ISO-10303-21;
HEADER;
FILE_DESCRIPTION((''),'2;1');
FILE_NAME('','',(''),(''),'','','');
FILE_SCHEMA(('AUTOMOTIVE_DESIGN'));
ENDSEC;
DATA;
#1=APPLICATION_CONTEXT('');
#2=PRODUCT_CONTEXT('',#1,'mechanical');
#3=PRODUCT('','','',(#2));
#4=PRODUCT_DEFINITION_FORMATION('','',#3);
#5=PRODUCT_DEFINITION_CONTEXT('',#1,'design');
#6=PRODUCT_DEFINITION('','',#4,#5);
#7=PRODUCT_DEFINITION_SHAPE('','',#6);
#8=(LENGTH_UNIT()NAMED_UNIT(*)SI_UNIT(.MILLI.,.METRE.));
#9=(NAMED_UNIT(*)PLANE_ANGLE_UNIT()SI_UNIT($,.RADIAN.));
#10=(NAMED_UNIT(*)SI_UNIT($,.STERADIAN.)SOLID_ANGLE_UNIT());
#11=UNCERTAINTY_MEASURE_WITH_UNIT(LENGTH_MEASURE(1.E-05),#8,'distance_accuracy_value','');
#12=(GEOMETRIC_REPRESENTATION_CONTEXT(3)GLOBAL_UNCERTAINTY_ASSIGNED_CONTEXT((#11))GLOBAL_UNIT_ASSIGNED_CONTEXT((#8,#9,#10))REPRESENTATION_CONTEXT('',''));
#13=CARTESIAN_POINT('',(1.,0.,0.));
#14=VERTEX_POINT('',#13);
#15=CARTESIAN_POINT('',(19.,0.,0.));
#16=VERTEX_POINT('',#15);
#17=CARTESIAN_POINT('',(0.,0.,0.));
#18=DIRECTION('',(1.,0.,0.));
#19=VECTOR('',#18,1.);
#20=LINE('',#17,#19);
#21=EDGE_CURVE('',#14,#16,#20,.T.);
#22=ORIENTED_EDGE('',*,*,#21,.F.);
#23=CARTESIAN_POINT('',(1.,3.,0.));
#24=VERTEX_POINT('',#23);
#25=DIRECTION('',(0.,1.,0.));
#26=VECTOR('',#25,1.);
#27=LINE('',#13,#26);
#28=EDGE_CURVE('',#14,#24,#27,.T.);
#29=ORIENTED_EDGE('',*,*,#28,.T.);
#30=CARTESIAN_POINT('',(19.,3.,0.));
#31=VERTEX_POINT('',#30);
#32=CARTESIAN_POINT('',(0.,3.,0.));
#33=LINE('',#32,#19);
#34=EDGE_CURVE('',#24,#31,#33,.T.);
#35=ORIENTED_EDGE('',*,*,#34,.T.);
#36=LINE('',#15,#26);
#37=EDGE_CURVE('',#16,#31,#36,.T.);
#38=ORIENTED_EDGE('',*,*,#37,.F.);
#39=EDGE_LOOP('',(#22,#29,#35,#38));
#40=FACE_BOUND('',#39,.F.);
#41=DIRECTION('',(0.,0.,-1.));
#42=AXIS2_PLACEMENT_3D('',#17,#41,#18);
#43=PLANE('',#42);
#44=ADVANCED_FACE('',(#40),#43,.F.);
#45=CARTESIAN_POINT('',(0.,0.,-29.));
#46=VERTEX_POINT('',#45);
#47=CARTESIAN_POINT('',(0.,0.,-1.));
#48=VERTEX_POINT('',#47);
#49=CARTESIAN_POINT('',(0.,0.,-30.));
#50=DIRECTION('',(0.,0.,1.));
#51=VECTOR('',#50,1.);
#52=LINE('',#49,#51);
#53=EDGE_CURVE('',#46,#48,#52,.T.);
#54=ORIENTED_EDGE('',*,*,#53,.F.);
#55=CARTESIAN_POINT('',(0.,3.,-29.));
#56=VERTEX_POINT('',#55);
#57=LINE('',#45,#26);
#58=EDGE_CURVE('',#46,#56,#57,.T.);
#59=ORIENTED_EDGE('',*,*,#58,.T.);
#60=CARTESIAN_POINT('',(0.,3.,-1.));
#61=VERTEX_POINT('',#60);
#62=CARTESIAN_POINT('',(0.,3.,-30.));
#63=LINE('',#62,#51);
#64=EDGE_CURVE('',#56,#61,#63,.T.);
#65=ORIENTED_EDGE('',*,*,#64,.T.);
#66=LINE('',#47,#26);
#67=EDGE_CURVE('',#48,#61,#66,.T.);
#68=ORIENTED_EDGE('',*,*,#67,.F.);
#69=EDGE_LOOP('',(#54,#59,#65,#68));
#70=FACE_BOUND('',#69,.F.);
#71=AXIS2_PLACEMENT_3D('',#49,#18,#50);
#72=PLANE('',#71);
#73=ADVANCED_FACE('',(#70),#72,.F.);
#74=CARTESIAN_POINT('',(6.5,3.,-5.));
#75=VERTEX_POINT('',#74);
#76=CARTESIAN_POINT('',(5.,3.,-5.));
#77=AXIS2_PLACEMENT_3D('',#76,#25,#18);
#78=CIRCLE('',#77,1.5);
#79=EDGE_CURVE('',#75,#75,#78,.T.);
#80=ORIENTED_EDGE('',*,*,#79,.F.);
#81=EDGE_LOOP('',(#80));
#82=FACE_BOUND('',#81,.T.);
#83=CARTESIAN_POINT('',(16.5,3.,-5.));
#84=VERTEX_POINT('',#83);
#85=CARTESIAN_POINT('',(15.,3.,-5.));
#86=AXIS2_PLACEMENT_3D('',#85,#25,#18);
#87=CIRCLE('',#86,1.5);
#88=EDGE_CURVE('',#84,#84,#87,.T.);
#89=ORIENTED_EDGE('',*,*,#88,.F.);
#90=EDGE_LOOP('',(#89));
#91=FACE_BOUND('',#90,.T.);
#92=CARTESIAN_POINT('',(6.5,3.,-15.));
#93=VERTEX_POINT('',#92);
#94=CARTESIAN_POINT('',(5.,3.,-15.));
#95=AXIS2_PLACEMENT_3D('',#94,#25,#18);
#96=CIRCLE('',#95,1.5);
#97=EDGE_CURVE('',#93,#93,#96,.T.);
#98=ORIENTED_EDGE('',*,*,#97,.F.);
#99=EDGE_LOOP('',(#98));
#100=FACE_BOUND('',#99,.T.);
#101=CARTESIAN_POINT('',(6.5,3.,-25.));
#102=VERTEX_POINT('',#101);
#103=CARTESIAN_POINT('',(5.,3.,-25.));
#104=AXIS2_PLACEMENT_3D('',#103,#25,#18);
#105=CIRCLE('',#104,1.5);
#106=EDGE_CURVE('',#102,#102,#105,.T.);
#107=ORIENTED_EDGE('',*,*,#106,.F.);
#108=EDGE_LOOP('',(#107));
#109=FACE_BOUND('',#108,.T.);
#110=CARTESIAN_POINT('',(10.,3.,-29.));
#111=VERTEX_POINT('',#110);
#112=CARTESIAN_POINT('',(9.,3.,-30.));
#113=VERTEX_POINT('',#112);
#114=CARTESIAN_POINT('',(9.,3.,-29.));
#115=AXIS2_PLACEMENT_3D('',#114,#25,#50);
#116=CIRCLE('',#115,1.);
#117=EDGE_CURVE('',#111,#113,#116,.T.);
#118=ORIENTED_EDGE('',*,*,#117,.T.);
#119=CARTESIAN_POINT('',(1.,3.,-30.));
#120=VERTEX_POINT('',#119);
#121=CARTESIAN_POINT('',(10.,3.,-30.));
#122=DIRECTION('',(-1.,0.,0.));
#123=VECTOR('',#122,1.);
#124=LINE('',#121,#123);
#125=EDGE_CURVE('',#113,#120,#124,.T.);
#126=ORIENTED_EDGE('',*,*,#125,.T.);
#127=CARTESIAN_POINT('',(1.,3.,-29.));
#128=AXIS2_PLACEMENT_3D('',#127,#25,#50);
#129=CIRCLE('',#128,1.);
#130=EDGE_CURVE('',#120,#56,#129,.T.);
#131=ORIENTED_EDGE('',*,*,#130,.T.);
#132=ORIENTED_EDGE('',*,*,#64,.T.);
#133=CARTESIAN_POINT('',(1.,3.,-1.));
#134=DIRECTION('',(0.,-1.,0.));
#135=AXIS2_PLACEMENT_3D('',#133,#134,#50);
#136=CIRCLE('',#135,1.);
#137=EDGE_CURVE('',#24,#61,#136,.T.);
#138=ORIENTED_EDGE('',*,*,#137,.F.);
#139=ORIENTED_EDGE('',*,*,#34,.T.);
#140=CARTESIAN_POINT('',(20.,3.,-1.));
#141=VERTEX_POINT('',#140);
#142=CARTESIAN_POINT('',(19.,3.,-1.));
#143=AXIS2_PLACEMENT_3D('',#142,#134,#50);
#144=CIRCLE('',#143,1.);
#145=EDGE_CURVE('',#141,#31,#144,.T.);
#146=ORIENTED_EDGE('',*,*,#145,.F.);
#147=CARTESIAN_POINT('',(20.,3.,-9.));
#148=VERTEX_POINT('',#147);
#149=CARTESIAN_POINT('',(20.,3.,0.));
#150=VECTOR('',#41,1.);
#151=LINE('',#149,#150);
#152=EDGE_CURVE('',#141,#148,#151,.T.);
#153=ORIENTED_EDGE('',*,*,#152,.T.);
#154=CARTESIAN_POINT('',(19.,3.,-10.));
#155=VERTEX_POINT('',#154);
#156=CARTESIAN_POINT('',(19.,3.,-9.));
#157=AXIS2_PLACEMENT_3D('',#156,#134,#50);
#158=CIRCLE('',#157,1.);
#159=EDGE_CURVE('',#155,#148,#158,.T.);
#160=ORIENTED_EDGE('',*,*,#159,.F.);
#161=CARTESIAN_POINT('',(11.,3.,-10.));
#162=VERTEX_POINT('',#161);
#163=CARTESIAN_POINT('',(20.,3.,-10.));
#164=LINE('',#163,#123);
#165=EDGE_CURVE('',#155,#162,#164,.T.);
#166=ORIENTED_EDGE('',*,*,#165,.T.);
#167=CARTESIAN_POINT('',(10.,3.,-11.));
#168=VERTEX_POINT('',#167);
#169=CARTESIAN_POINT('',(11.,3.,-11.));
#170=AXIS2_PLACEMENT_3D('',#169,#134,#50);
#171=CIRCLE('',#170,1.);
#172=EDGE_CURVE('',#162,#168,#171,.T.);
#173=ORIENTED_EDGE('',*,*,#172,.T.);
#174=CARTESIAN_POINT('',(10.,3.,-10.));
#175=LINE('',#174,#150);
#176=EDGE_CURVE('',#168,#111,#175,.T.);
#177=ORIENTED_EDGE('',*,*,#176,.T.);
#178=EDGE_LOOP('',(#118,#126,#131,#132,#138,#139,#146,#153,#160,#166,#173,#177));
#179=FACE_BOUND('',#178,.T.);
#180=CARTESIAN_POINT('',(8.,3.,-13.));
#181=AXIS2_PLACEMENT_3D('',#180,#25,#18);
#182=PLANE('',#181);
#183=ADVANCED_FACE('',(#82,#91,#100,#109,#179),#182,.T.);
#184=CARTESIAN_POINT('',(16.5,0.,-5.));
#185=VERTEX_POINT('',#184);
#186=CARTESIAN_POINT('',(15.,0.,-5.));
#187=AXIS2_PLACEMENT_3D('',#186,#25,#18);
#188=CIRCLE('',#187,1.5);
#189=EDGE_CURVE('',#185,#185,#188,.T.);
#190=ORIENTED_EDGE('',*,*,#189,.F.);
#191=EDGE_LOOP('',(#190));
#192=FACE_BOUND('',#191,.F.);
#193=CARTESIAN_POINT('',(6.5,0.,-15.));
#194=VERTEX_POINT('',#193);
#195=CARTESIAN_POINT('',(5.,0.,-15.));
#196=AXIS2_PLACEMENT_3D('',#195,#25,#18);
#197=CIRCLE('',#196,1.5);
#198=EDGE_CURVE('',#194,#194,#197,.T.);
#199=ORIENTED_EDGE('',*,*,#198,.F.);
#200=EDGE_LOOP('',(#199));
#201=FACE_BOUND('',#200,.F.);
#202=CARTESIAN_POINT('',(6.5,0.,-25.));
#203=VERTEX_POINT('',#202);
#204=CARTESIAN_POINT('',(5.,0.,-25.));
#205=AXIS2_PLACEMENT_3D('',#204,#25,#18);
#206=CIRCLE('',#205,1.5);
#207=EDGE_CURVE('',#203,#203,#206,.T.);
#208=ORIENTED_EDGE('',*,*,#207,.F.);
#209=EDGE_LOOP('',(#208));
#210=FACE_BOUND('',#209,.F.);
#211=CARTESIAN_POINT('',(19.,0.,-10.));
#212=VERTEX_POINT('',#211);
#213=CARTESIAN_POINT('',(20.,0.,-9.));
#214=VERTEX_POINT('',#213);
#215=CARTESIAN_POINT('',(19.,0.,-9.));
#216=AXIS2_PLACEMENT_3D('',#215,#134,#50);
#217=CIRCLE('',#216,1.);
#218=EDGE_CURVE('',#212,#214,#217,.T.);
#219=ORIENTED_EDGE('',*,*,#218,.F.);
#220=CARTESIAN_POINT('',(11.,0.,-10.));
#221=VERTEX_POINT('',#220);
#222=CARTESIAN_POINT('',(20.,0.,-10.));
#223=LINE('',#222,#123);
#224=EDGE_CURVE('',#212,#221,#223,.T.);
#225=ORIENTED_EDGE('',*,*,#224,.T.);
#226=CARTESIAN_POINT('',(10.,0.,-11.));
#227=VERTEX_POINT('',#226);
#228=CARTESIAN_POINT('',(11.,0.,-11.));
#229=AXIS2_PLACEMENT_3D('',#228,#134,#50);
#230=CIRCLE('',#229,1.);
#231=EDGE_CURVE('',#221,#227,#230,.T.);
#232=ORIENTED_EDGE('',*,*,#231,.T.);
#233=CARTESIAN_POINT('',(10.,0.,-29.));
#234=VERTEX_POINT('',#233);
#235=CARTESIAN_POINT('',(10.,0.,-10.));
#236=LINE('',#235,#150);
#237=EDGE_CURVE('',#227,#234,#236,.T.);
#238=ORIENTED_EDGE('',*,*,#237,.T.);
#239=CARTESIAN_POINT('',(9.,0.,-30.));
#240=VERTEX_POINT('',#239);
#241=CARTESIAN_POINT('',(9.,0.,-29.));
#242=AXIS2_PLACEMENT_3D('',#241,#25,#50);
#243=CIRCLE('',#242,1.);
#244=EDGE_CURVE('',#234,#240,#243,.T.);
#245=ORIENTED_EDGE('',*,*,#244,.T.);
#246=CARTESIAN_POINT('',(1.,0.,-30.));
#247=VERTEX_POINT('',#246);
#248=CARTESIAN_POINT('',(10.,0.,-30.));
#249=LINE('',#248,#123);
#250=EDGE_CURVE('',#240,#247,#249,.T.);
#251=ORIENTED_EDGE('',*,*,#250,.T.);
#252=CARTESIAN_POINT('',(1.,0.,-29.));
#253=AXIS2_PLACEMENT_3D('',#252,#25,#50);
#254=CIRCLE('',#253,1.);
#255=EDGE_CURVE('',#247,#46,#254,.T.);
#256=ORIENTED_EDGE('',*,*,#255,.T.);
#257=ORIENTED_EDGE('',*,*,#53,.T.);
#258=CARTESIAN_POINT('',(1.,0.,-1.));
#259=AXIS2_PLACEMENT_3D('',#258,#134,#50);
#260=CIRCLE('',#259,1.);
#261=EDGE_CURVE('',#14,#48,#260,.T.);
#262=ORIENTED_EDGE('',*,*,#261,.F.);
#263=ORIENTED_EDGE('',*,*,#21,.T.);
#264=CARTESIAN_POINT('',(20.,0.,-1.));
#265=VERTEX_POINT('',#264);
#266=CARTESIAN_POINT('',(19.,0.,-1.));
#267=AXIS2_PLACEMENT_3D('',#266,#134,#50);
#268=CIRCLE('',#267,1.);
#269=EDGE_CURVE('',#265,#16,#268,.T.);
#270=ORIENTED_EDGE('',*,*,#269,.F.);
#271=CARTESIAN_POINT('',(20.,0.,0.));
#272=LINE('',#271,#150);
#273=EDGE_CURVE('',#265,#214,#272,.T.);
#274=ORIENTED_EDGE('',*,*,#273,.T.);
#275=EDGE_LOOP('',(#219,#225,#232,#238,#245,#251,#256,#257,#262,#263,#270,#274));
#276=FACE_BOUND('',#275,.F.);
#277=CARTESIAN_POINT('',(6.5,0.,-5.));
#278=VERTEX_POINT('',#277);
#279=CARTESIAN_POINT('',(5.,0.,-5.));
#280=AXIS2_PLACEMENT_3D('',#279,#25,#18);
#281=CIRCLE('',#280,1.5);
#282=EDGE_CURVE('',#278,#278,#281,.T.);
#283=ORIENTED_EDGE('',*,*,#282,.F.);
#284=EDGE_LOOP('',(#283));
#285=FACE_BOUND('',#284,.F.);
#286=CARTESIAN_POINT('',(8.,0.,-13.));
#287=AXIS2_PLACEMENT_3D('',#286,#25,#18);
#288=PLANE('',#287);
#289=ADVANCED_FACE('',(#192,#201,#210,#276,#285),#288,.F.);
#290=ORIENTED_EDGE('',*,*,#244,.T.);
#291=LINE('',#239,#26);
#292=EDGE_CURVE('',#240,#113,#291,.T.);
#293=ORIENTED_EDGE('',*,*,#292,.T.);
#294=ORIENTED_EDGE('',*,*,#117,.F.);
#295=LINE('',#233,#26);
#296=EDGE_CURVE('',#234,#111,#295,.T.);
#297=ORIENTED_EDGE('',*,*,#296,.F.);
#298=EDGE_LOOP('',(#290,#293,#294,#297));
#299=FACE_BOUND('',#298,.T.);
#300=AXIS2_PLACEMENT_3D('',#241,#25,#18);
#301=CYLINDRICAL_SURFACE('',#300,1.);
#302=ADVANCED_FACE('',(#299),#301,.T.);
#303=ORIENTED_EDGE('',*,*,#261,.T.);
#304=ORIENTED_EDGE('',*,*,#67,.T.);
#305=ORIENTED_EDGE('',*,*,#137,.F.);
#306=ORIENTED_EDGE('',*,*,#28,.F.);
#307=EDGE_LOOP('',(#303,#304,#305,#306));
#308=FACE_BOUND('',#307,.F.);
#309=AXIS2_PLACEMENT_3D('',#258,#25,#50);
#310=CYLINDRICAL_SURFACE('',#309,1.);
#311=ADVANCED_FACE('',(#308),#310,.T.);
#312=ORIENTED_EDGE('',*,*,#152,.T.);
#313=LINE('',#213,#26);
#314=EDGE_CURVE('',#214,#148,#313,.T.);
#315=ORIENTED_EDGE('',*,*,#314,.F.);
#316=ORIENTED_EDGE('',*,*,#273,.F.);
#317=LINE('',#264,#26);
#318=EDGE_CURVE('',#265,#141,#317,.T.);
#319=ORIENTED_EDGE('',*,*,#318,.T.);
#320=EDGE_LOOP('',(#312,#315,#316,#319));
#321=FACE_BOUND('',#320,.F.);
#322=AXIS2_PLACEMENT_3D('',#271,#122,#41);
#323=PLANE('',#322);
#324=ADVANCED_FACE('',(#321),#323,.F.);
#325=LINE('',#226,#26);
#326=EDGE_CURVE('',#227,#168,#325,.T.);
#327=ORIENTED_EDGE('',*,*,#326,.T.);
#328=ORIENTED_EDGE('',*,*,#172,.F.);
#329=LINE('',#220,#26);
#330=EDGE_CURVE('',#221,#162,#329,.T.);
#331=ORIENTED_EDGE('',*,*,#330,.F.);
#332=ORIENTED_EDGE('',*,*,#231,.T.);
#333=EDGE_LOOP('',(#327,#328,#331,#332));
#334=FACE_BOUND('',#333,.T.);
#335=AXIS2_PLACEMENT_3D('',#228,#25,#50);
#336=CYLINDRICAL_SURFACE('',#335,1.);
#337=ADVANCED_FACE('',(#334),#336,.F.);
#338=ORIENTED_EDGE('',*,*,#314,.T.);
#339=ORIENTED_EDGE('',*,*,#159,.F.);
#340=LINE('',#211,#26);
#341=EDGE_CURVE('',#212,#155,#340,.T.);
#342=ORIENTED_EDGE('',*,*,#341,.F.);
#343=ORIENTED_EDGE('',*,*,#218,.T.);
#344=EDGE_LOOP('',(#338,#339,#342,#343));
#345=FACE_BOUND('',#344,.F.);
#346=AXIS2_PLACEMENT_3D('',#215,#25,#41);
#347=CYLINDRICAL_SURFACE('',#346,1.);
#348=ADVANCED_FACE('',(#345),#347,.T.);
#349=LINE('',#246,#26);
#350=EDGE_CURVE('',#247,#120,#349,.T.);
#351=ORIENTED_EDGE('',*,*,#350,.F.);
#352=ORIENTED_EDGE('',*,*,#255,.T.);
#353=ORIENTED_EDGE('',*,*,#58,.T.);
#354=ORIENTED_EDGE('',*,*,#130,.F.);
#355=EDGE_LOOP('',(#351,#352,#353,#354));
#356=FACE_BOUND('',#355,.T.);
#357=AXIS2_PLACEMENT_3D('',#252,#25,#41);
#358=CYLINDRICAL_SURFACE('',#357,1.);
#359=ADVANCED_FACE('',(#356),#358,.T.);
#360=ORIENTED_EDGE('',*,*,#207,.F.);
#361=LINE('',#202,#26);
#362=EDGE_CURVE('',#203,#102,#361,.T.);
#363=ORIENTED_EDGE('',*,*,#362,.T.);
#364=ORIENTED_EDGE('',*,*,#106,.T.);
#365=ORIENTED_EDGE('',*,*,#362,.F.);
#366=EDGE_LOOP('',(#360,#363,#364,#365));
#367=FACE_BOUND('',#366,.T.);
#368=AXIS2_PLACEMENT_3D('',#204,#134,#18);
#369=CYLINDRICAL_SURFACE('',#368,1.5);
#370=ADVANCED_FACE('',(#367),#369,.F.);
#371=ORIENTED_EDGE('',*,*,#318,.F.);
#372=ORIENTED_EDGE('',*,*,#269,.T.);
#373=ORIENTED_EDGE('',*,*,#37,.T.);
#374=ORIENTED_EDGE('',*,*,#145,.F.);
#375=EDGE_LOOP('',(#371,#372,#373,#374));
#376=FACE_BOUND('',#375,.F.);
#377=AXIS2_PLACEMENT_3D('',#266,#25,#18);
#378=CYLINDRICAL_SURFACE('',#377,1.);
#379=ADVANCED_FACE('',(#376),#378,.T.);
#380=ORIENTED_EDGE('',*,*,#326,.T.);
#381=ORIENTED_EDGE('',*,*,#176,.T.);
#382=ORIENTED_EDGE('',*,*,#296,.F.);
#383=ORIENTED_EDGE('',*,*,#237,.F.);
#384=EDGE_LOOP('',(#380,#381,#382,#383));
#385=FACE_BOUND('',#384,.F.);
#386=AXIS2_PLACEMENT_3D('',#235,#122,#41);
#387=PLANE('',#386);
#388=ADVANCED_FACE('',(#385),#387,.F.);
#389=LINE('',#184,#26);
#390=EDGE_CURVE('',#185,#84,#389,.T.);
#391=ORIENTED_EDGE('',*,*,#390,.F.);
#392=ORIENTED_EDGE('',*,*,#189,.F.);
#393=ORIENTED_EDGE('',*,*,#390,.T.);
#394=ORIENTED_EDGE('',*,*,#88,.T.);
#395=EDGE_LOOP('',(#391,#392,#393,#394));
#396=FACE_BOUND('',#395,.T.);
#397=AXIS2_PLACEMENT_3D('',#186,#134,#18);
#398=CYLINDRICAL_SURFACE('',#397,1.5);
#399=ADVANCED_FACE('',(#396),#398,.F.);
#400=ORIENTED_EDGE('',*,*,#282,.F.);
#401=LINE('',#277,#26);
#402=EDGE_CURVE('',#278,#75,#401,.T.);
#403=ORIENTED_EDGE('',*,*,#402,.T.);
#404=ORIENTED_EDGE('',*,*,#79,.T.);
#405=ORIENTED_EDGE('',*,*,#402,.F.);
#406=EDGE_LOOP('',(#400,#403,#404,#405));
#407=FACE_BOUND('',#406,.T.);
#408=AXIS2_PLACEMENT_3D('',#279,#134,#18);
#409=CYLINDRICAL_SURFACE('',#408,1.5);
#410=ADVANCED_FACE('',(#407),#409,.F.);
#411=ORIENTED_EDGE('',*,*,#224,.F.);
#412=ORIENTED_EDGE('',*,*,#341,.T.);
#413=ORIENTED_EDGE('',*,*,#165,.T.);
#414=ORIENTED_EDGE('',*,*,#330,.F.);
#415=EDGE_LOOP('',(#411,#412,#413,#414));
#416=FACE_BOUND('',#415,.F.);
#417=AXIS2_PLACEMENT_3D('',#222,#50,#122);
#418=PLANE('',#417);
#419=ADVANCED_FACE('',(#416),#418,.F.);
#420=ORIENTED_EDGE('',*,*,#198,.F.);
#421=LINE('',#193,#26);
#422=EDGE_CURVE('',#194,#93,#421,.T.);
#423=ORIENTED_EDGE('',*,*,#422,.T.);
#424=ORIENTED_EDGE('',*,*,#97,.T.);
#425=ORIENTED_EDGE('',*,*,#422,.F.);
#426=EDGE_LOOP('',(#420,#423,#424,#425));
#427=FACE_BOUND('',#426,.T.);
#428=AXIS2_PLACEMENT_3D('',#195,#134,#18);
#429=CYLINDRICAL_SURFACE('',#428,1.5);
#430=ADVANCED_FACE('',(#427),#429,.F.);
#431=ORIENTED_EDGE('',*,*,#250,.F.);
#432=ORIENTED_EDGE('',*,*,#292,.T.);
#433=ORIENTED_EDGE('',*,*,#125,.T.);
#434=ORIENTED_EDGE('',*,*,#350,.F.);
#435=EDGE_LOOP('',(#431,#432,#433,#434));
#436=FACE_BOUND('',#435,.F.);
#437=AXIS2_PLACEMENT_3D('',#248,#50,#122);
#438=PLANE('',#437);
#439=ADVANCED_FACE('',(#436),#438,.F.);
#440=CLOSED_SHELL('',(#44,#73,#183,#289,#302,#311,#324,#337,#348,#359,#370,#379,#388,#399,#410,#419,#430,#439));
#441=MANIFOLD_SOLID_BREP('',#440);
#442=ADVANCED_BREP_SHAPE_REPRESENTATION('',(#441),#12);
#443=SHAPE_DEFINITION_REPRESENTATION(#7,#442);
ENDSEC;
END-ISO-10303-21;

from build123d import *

# Parameters (mm, degrees)
SKETCH1_R           = 1.5
BOSS_EXTRUDE1_DEPTH = 3
FILLET1_R           = 1
FILLET2_R           = 1


with BuildPart() as part:
    # Sketch1 → Boss-Extrude1 (new body)
    with BuildSketch(Plane(origin=(0, 0, 0), x_dir=(1, 0, 0), z_dir=(0, 1, 0))):
        Polygon((0, 0), (10, 0), (20, 0), (20, 10), (10, 10), (10, 30), (0, 30), align=None)
        with Locations((5, 25)):
            Circle(SKETCH1_R, mode=Mode.SUBTRACT)
        with Locations((5, 15)):
            Circle(SKETCH1_R, mode=Mode.SUBTRACT)
        with Locations((5, 5)):
            Circle(SKETCH1_R, mode=Mode.SUBTRACT)
        with Locations((15, 5)):
            Circle(SKETCH1_R, mode=Mode.SUBTRACT)
    extrude(amount=BOSS_EXTRUDE1_DEPTH)

    # Fillet1
    fillet1_edges = [part.edges().sort_by_distance(p)[0] for p in [
        (10, 1.5, -10),
    ]]
    fillet(fillet1_edges, radius=FILLET1_R)

    # Fillet2
    fillet2_edges = [part.edges().sort_by_distance(p)[0] for p in [
        (0, 1.5, -30),
        (10, 1.5, -30),
        (20, 1.5, -10),
        (20, 1.5, 0),
        (0, 1.5, 0),
    ]]
    fillet(fillet2_edges, radius=FILLET2_R)


solid = part.part
